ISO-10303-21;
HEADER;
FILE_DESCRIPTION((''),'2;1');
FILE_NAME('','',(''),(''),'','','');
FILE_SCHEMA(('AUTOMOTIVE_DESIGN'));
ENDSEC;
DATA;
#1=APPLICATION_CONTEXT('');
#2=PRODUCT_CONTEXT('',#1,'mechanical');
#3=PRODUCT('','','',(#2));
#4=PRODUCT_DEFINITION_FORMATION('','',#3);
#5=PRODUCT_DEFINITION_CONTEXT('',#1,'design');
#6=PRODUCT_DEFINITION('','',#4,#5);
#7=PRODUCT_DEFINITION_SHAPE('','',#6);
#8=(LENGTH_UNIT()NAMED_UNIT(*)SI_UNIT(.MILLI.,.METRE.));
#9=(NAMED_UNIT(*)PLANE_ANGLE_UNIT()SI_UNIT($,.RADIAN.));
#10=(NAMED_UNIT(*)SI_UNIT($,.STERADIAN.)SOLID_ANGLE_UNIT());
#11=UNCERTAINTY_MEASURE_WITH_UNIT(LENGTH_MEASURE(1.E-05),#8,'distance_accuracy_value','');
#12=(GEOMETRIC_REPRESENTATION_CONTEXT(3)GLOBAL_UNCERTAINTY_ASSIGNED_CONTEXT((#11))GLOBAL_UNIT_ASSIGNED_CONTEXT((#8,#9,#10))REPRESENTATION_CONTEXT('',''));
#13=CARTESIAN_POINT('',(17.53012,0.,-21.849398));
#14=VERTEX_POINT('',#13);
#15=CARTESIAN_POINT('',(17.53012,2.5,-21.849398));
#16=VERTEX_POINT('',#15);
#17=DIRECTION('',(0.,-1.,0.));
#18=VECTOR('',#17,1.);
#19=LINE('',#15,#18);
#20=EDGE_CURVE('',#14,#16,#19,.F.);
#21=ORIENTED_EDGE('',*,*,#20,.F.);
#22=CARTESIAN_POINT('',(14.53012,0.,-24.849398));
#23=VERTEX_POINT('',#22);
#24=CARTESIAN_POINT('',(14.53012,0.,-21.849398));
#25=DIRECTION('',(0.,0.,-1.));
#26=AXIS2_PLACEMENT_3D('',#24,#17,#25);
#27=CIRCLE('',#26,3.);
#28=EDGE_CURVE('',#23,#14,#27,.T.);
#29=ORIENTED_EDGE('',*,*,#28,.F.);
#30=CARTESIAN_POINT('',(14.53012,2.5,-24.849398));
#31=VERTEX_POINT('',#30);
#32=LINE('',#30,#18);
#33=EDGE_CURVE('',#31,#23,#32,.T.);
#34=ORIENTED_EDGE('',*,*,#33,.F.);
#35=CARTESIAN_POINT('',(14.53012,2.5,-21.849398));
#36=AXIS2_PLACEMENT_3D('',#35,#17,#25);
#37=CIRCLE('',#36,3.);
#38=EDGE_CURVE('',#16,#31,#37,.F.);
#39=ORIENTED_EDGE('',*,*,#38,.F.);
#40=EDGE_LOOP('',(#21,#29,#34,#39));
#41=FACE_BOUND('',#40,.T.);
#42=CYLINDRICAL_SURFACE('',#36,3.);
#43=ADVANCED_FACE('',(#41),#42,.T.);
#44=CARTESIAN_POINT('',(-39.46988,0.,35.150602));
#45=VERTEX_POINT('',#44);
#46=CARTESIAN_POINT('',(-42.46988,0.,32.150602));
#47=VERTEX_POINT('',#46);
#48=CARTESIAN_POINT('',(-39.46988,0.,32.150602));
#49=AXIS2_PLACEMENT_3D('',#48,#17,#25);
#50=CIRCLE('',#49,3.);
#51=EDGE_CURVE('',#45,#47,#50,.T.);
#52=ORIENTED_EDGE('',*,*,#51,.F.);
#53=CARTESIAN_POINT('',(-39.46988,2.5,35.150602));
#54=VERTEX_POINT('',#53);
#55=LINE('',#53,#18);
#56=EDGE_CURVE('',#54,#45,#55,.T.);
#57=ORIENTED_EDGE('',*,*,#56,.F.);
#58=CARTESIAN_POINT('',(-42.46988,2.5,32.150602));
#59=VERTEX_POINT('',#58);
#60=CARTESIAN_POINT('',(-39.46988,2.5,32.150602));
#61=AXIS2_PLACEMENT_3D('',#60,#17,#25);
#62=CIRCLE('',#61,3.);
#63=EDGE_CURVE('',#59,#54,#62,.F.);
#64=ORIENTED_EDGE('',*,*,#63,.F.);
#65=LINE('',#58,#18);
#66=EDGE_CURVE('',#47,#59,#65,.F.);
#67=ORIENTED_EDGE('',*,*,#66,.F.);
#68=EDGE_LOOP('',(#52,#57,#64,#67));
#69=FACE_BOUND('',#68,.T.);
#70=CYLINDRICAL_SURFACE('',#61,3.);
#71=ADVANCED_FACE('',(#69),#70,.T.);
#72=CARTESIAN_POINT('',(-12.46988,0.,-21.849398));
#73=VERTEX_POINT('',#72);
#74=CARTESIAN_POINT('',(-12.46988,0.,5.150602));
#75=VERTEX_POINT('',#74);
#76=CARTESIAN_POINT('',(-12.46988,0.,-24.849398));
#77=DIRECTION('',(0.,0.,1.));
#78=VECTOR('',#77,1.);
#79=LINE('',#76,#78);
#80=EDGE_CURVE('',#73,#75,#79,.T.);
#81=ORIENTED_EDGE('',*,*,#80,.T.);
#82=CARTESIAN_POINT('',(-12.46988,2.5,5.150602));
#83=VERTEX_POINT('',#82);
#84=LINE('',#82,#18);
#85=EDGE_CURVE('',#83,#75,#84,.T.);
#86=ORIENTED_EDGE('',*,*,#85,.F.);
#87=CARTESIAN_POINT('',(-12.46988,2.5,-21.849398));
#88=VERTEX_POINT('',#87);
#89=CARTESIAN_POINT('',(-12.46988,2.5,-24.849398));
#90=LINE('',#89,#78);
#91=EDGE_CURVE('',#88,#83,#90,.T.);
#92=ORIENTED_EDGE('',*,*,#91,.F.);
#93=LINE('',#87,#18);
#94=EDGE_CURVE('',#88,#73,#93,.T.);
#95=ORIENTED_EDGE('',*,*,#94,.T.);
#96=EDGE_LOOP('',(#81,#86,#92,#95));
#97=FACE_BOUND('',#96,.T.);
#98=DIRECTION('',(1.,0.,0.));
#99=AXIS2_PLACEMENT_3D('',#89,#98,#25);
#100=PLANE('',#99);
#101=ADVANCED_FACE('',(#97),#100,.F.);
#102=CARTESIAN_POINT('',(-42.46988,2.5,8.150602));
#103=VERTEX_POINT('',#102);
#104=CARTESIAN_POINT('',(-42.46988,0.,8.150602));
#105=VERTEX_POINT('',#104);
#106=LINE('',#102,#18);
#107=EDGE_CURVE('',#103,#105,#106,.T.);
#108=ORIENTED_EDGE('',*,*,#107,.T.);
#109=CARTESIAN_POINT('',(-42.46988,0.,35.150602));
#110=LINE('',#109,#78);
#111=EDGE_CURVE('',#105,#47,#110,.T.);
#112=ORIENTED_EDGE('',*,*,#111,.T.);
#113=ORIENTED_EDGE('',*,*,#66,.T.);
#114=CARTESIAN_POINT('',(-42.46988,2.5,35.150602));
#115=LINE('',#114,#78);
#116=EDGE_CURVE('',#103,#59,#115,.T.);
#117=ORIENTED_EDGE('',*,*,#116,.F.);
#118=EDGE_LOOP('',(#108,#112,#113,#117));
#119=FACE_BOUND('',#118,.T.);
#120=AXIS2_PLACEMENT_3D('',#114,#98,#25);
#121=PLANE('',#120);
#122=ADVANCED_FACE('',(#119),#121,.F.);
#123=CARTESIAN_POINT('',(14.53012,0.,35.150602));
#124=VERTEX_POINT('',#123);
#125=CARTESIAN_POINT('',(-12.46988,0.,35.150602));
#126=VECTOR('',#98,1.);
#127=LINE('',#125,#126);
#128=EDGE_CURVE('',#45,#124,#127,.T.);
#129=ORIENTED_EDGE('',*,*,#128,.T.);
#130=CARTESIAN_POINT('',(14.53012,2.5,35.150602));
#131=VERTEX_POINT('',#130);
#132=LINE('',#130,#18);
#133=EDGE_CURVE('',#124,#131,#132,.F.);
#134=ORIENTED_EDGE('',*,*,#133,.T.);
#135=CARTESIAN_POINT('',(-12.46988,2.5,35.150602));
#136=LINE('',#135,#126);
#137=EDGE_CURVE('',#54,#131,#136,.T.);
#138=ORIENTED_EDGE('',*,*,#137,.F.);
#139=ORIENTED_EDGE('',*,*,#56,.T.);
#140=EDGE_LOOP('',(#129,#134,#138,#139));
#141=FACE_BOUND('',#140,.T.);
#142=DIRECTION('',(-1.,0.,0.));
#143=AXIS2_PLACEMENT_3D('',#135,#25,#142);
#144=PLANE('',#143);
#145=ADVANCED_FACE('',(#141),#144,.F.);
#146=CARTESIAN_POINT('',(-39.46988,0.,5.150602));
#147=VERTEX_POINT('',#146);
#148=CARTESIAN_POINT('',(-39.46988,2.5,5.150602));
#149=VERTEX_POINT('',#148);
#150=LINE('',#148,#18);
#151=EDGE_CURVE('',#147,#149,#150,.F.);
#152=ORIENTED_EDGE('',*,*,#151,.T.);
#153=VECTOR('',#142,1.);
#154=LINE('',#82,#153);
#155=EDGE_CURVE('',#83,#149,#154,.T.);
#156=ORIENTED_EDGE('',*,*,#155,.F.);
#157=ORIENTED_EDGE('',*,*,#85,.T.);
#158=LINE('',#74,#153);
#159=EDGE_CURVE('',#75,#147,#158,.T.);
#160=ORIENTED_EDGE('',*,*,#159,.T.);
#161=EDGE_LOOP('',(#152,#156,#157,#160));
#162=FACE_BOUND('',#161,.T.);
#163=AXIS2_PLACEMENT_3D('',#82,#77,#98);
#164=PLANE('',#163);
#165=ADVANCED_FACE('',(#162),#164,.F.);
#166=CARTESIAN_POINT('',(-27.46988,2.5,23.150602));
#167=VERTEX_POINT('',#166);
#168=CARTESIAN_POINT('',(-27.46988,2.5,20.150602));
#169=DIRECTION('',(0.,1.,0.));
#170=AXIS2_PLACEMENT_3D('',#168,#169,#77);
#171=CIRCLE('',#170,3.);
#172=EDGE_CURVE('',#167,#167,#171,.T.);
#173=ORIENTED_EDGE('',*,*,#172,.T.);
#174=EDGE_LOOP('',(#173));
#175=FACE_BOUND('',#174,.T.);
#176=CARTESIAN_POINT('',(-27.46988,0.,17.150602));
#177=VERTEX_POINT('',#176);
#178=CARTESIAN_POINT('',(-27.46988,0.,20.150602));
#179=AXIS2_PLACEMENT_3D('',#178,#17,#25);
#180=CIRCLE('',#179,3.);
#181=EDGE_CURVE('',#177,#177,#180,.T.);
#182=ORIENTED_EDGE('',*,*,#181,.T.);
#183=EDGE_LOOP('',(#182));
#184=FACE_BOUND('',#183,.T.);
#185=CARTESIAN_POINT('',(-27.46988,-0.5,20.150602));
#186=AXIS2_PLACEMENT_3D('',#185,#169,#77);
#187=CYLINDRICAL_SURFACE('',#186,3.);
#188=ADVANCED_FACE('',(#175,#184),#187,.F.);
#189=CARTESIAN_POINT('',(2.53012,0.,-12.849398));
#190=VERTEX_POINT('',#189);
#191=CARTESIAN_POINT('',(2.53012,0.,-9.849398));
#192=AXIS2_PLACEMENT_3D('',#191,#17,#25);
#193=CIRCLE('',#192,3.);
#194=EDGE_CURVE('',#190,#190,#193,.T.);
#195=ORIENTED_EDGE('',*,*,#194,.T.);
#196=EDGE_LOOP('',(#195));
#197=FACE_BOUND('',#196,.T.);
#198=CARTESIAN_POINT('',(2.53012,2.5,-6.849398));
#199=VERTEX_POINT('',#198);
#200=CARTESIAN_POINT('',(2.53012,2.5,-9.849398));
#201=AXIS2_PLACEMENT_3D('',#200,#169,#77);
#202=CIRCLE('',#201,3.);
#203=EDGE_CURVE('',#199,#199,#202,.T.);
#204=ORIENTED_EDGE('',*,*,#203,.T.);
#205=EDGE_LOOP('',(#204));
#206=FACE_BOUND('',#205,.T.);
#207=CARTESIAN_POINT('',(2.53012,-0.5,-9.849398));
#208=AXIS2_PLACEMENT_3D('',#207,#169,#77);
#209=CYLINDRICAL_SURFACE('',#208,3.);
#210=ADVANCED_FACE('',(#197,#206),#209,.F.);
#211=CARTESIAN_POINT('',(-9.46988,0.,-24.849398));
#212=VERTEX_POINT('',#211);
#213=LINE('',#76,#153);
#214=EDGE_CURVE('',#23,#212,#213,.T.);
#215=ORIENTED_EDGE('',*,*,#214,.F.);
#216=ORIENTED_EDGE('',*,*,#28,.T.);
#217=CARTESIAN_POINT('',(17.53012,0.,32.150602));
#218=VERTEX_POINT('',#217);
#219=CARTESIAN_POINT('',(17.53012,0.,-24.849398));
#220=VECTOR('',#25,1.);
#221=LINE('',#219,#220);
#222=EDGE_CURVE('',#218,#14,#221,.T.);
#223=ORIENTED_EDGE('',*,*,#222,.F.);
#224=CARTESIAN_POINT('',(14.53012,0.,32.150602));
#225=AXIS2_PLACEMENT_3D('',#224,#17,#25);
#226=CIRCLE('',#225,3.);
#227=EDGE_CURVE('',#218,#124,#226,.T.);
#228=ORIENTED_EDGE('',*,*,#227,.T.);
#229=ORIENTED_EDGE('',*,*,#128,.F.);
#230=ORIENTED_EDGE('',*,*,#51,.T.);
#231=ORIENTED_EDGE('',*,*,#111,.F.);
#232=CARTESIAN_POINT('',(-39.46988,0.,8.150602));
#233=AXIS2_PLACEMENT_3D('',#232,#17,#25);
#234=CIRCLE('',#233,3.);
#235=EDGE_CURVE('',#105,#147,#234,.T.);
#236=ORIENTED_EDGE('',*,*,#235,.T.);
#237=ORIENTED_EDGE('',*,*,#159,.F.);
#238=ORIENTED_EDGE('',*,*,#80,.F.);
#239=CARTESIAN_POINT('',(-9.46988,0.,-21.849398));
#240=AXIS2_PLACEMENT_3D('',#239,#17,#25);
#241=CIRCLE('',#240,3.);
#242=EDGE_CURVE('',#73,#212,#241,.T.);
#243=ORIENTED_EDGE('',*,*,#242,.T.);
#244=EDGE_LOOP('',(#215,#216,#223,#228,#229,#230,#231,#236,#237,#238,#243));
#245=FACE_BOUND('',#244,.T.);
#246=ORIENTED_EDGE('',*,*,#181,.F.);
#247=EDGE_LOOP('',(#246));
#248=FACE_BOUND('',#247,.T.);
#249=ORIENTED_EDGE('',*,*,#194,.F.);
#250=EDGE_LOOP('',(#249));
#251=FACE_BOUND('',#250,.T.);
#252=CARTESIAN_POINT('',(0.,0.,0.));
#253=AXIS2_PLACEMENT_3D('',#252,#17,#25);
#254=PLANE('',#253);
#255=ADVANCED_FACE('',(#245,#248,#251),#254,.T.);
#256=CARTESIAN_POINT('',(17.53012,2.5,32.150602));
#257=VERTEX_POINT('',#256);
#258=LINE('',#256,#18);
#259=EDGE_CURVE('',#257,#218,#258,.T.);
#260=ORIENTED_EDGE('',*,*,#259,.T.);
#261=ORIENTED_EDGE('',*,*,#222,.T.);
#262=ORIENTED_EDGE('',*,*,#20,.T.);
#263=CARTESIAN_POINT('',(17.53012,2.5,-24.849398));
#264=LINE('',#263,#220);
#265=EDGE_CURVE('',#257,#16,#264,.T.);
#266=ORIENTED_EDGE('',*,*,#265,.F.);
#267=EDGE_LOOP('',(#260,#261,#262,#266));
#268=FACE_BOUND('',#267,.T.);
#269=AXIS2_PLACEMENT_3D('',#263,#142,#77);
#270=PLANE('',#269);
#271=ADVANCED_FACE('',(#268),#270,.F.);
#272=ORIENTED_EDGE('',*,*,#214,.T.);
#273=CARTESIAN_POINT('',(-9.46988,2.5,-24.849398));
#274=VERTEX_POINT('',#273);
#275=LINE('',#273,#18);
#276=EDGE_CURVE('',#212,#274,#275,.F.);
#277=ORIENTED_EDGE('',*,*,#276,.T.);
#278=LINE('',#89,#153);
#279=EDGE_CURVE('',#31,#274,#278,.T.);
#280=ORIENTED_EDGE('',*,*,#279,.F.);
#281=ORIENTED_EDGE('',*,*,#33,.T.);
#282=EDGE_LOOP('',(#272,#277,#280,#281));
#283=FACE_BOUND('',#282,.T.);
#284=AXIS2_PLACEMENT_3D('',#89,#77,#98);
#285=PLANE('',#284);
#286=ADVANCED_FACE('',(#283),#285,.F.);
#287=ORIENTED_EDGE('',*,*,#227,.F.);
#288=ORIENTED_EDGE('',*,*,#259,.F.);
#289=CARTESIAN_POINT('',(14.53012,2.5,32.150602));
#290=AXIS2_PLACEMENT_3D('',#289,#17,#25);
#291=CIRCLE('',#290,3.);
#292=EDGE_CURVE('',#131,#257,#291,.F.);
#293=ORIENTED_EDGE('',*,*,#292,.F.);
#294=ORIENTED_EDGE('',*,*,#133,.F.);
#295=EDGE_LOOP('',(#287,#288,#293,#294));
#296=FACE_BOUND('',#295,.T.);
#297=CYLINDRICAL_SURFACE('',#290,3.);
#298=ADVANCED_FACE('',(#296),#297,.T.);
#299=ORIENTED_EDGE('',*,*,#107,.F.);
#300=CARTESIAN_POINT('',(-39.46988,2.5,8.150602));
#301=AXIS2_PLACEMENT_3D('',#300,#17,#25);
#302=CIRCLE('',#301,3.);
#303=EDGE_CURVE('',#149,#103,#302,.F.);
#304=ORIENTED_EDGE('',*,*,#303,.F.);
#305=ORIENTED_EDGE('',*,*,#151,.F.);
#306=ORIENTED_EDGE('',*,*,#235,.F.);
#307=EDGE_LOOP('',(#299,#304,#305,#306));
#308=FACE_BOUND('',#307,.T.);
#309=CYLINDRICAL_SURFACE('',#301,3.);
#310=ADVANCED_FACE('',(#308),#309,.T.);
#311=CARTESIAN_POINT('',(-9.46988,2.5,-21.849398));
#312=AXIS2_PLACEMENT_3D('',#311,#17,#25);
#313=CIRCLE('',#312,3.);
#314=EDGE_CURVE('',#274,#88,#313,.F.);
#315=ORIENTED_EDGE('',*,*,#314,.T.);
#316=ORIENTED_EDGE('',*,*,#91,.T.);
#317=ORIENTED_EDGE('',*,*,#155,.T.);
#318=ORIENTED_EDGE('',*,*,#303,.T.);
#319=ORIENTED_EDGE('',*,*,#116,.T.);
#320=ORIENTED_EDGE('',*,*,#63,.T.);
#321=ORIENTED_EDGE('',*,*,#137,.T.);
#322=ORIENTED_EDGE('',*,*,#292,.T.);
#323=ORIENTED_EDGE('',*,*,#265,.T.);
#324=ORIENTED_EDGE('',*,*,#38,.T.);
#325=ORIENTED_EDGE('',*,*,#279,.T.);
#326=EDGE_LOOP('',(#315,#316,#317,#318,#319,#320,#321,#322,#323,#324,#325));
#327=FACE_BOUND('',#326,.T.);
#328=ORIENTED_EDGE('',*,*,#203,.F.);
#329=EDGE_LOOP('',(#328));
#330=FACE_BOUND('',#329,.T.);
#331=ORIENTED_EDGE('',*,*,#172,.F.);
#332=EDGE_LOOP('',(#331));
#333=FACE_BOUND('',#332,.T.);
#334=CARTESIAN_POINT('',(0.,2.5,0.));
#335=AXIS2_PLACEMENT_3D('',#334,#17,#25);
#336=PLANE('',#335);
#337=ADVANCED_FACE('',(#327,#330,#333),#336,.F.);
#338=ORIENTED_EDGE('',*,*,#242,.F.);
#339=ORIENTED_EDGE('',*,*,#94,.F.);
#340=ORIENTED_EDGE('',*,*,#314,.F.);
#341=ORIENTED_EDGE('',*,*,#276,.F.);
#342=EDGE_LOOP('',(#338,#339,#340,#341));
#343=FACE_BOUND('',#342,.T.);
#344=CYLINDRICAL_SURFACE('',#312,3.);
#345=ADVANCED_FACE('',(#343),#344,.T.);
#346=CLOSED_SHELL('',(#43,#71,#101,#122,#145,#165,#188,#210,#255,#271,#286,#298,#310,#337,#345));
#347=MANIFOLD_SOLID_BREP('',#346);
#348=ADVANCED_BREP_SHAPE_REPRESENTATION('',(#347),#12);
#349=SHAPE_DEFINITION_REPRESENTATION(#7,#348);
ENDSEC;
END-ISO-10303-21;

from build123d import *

# Parameters (mm, degrees)
BOSS_EXTRUDE1_DEPTH = 2.5
FILLET1_R           = 3
FILLET2_R           = 3
FILLET3_R           = 3
FILLET4_R           = 3
FILLET5_R           = 3
SKETCH2_R           = 3
CUT_EXTRUDE1_DEPTH  = 3


with BuildPart() as part:
    # Sketch1 → Boss-Extrude1 (new body)
    with BuildSketch(Plane(origin=(0, 0, 0), x_dir=(1, 0, 0), z_dir=(0, 1, 0))):
        Polygon((-12.469879518, 24.84939759), (17.530120482, 24.84939759), (17.530120482, -35.15060241), (-12.469879518, -35.15060241), (-42.469879518, -35.15060241), (-42.469879518, -5.15060241), (-12.469879518, -5.15060241), align=None)
    extrude(amount=BOSS_EXTRUDE1_DEPTH)

    # Fillet1
    fillet1_edges = [part.edges().sort_by_distance(p)[0] for p in [
        (-42.469879518, 1.25, 5.15060241),
    ]]
    fillet(fillet1_edges, radius=FILLET1_R)

    # Fillet2
    fillet2_edges = [part.edges().sort_by_distance(p)[0] for p in [
        (-42.469879518, 1.25, 35.15060241),
    ]]
    fillet(fillet2_edges, radius=FILLET2_R)

    # Fillet3
    fillet3_edges = [part.edges().sort_by_distance(p)[0] for p in [
        (17.530120482, 1.25, 35.15060241),
    ]]
    fillet(fillet3_edges, radius=FILLET3_R)

    # Fillet4
    fillet4_edges = [part.edges().sort_by_distance(p)[0] for p in [
        (17.530120482, 1.25, -24.84939759),
    ]]
    fillet(fillet4_edges, radius=FILLET4_R)

    # Fillet5
    fillet5_edges = [part.edges().sort_by_distance(p)[0] for p in [
        (-12.469879518, 1.25, -24.84939759),
    ]]
    fillet(fillet5_edges, radius=FILLET5_R)

    # Sketch2 → Cut-Extrude1 (cut)
    with BuildSketch(Plane(origin=(0, 2.5, 0), x_dir=(1, 0, 0), z_dir=(0, 1, 0))):
        with Locations((2.530120482, 9.84939759)):
            Circle(SKETCH2_R)
        with Locations((-27.469879518, -20.15060241)):
            Circle(SKETCH2_R)
    extrude(amount=-CUT_EXTRUDE1_DEPTH, mode=Mode.SUBTRACT)


solid = part.part
